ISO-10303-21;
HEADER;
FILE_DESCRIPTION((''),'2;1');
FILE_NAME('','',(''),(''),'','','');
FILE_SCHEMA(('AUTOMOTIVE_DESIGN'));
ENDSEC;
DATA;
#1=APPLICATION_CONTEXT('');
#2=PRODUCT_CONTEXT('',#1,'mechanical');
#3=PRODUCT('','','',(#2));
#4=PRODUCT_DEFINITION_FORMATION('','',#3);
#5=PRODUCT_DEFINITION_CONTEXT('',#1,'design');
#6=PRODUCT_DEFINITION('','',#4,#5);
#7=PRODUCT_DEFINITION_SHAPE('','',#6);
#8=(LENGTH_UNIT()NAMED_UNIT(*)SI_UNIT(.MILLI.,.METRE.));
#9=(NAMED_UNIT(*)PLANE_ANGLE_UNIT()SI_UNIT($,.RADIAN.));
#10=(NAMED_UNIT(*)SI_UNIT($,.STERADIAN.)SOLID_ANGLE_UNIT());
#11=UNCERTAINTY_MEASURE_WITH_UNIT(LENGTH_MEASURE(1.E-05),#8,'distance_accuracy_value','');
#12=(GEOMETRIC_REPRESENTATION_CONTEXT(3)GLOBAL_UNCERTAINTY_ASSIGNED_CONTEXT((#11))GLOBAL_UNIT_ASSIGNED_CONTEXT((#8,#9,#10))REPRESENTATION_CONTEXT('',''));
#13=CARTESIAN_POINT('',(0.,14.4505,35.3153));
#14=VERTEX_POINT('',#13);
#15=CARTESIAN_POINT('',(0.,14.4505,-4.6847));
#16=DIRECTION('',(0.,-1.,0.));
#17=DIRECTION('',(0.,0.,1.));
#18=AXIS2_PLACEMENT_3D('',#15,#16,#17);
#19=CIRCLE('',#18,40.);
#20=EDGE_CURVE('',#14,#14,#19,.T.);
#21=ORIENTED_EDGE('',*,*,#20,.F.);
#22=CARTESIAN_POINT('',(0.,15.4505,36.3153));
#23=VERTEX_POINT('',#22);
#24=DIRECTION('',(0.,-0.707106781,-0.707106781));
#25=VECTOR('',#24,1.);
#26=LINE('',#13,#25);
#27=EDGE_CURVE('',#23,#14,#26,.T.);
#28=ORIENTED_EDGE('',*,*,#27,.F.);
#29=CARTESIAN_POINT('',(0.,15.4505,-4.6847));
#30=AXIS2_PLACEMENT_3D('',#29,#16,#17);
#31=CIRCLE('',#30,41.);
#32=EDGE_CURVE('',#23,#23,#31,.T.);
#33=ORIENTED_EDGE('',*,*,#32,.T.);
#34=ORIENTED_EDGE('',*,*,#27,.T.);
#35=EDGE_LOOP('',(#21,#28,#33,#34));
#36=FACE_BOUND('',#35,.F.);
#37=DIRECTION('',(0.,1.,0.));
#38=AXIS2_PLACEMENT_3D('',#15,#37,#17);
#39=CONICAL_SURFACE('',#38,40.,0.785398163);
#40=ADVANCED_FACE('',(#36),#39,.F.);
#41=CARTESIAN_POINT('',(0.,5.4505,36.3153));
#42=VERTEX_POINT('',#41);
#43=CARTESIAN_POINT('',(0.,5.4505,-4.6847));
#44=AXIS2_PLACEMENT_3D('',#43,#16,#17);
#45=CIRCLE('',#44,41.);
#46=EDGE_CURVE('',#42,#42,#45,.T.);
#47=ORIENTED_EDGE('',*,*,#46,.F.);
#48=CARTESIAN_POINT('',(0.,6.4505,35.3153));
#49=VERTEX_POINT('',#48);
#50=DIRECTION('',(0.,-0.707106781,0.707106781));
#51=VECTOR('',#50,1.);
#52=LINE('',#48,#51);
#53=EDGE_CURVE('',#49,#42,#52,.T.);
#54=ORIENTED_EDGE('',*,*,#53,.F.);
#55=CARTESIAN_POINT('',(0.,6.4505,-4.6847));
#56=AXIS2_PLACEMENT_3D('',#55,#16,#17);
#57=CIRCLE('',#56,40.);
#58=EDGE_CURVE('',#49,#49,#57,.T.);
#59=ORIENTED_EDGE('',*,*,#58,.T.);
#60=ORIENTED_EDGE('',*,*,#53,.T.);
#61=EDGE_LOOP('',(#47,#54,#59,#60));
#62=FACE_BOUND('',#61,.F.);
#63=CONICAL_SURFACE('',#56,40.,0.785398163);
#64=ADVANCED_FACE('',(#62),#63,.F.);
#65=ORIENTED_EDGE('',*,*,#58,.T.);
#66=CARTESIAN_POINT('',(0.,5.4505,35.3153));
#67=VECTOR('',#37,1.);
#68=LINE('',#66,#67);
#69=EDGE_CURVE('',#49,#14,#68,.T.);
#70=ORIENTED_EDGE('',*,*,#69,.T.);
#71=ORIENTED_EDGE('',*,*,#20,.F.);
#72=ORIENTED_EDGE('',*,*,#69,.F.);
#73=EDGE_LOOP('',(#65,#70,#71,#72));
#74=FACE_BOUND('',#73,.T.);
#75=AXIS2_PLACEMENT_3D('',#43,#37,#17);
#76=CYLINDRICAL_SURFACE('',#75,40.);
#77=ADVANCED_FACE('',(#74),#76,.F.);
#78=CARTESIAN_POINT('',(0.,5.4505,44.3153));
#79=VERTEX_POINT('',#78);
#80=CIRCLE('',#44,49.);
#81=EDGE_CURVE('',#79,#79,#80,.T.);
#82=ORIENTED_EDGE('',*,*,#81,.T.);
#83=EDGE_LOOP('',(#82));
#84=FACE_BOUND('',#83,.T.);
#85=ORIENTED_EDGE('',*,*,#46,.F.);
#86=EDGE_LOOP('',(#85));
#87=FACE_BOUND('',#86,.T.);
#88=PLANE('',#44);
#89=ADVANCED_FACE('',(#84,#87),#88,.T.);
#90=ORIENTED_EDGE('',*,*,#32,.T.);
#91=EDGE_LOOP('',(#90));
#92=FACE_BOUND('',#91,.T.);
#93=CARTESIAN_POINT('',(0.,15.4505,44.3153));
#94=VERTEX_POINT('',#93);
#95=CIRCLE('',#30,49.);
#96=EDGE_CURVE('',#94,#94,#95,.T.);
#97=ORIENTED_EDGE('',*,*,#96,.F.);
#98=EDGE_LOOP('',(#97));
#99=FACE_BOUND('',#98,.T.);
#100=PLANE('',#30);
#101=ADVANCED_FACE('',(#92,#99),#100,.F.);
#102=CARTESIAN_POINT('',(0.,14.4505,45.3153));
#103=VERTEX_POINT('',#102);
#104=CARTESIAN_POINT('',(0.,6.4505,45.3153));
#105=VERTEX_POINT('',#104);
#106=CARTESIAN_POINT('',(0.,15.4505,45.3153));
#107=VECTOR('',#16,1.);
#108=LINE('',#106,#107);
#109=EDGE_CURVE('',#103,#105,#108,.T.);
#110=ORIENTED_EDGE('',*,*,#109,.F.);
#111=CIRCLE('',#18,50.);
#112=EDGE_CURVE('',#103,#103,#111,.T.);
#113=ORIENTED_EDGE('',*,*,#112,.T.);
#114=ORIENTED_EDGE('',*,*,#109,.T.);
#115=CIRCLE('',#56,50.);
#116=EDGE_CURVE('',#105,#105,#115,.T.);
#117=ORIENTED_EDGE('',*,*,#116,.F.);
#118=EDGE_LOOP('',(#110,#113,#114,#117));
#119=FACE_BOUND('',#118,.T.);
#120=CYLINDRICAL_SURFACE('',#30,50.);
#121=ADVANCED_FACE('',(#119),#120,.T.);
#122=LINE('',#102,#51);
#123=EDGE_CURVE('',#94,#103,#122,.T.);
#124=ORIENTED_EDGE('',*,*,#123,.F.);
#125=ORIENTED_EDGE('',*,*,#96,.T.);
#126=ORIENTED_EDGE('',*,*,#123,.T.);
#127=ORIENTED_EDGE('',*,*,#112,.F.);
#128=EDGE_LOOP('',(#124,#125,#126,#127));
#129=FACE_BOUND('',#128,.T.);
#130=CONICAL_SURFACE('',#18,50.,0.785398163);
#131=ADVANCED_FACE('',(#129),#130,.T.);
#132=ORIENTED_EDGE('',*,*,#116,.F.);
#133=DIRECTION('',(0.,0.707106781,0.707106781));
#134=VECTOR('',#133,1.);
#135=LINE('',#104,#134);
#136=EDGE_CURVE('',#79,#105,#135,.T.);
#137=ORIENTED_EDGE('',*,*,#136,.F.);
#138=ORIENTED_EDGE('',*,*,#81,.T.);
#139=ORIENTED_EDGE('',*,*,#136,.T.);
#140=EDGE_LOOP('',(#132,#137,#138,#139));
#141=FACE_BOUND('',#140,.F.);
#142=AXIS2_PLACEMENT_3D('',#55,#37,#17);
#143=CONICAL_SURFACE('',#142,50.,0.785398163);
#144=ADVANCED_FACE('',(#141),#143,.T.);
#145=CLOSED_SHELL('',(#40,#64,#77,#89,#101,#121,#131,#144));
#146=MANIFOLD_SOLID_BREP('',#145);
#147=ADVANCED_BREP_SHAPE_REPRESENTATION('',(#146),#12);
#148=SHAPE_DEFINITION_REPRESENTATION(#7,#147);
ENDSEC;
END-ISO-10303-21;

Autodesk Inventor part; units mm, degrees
ref_plane "YZ Plane" through (0, 0, 0) normal (1, 0, 0) x (0, 1, 0)
ref_plane "XZ Plane" through (0, 0, 0) normal (0, 1, 0) x (-1, 0, 0)
ref_plane "XY Plane" through (0, 0, 0) normal (0, 0, 1) x (1, 0, 0)
sketch "Sketch1" plane through (0, 0, 0) normal (1, 0, 0) x (0, 1, 0)
  line L0 (15.4505, 45.3153) -> (5.4505, 45.3153)
  line L1 (5.4505, 45.3153) -> (5.4505, 35.3153)
  line L2 (5.4505, 35.3153) -> (15.4505, 35.3153)
  line L3 (15.4505, 35.3153) -> (15.4505, 45.3153)
  line L4 (29.1713, -4.6847) -> (-18.7008, -4.6847)
  point P0 (0, 0)
  dimension "d0" = 10
  dimension "d1" = 10
  dimension "d3" = 100
revolve "Revolution1" add sketch "Sketch1" angle 360 about axis through (0, 29.1713, -4.6847) along (0, -1, 0)
chamfer "Chamfer1" distance 1 angle 45 4 edges at (0, 15.4505, -54.6847) (0, 5.4505, -54.6847) (0, 15.4505, -44.6847) (0, 5.4505, -44.6847)
properties part number "bearing100-80-10" material "Steel, Galvanized"
